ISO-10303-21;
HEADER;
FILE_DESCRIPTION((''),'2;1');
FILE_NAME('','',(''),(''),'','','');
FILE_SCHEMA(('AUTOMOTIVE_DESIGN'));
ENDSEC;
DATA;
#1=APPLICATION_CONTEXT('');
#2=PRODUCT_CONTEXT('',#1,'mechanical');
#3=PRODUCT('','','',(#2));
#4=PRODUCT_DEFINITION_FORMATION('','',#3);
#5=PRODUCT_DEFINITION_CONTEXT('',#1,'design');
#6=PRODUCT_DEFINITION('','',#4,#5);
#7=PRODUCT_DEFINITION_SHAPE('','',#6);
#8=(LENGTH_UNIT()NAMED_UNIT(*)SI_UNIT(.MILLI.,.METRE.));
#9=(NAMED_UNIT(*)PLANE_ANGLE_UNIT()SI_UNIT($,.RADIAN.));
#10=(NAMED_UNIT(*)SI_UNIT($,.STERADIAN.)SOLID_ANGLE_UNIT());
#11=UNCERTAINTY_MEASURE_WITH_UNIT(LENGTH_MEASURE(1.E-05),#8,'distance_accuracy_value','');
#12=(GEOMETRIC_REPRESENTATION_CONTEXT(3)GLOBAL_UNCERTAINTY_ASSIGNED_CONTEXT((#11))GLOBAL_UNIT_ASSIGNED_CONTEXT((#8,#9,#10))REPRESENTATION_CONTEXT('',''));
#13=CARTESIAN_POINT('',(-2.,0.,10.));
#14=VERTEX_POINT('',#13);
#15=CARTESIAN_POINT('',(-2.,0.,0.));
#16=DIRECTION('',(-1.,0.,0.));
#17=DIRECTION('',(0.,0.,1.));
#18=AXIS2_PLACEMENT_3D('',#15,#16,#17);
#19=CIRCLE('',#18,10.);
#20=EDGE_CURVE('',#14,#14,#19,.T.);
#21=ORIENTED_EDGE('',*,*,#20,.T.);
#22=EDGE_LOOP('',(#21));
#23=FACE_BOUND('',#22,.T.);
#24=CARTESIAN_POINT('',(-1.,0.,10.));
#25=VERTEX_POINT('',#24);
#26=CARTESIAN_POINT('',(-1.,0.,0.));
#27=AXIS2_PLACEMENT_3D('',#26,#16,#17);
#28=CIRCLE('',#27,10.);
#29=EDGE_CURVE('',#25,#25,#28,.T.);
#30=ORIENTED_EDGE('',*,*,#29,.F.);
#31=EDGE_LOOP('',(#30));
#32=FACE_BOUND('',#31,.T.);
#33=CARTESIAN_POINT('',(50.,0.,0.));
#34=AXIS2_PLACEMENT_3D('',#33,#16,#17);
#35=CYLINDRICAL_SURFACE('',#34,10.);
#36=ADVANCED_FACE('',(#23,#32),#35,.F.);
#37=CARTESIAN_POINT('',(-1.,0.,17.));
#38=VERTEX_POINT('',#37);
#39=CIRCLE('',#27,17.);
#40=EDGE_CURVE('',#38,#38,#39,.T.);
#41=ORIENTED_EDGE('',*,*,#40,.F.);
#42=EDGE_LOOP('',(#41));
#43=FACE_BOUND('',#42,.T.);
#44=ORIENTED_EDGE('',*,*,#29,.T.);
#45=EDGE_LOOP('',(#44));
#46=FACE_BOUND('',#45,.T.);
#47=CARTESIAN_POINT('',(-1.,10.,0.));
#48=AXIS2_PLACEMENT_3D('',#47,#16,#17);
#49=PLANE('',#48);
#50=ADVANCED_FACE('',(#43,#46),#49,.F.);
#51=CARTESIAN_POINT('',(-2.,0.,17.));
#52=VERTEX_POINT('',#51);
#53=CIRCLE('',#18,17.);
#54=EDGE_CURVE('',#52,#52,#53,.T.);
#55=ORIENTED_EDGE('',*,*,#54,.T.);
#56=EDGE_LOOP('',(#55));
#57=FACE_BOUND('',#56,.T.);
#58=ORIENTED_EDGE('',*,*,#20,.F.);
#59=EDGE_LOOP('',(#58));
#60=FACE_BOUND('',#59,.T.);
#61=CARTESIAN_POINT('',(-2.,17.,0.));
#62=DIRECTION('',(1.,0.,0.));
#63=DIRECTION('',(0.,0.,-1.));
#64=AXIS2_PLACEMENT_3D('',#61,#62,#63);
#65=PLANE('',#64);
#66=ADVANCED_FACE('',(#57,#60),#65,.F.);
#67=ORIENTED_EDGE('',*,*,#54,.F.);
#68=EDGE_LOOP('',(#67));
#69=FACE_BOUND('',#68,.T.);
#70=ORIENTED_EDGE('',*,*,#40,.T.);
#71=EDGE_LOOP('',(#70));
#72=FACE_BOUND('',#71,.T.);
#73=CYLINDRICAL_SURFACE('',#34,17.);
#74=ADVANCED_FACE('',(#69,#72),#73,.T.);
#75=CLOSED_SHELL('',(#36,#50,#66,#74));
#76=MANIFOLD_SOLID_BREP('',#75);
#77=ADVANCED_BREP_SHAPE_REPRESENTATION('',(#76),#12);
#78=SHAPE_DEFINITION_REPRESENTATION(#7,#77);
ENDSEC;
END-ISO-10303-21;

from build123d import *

# Parameters (mm, degrees)
SKETCH1_W = 1
SKETCH1_H = 7


with BuildPart() as part:
    # Sketch1 → Revolve1 (revolve)
    with BuildSketch(Plane.XY):
        with Locations((-1.5, 13.5)):
            Rectangle(SKETCH1_W, SKETCH1_H)
    revolve(axis=Axis((50, 0, 0), (-1, 0, 0)))


solid = part.part
